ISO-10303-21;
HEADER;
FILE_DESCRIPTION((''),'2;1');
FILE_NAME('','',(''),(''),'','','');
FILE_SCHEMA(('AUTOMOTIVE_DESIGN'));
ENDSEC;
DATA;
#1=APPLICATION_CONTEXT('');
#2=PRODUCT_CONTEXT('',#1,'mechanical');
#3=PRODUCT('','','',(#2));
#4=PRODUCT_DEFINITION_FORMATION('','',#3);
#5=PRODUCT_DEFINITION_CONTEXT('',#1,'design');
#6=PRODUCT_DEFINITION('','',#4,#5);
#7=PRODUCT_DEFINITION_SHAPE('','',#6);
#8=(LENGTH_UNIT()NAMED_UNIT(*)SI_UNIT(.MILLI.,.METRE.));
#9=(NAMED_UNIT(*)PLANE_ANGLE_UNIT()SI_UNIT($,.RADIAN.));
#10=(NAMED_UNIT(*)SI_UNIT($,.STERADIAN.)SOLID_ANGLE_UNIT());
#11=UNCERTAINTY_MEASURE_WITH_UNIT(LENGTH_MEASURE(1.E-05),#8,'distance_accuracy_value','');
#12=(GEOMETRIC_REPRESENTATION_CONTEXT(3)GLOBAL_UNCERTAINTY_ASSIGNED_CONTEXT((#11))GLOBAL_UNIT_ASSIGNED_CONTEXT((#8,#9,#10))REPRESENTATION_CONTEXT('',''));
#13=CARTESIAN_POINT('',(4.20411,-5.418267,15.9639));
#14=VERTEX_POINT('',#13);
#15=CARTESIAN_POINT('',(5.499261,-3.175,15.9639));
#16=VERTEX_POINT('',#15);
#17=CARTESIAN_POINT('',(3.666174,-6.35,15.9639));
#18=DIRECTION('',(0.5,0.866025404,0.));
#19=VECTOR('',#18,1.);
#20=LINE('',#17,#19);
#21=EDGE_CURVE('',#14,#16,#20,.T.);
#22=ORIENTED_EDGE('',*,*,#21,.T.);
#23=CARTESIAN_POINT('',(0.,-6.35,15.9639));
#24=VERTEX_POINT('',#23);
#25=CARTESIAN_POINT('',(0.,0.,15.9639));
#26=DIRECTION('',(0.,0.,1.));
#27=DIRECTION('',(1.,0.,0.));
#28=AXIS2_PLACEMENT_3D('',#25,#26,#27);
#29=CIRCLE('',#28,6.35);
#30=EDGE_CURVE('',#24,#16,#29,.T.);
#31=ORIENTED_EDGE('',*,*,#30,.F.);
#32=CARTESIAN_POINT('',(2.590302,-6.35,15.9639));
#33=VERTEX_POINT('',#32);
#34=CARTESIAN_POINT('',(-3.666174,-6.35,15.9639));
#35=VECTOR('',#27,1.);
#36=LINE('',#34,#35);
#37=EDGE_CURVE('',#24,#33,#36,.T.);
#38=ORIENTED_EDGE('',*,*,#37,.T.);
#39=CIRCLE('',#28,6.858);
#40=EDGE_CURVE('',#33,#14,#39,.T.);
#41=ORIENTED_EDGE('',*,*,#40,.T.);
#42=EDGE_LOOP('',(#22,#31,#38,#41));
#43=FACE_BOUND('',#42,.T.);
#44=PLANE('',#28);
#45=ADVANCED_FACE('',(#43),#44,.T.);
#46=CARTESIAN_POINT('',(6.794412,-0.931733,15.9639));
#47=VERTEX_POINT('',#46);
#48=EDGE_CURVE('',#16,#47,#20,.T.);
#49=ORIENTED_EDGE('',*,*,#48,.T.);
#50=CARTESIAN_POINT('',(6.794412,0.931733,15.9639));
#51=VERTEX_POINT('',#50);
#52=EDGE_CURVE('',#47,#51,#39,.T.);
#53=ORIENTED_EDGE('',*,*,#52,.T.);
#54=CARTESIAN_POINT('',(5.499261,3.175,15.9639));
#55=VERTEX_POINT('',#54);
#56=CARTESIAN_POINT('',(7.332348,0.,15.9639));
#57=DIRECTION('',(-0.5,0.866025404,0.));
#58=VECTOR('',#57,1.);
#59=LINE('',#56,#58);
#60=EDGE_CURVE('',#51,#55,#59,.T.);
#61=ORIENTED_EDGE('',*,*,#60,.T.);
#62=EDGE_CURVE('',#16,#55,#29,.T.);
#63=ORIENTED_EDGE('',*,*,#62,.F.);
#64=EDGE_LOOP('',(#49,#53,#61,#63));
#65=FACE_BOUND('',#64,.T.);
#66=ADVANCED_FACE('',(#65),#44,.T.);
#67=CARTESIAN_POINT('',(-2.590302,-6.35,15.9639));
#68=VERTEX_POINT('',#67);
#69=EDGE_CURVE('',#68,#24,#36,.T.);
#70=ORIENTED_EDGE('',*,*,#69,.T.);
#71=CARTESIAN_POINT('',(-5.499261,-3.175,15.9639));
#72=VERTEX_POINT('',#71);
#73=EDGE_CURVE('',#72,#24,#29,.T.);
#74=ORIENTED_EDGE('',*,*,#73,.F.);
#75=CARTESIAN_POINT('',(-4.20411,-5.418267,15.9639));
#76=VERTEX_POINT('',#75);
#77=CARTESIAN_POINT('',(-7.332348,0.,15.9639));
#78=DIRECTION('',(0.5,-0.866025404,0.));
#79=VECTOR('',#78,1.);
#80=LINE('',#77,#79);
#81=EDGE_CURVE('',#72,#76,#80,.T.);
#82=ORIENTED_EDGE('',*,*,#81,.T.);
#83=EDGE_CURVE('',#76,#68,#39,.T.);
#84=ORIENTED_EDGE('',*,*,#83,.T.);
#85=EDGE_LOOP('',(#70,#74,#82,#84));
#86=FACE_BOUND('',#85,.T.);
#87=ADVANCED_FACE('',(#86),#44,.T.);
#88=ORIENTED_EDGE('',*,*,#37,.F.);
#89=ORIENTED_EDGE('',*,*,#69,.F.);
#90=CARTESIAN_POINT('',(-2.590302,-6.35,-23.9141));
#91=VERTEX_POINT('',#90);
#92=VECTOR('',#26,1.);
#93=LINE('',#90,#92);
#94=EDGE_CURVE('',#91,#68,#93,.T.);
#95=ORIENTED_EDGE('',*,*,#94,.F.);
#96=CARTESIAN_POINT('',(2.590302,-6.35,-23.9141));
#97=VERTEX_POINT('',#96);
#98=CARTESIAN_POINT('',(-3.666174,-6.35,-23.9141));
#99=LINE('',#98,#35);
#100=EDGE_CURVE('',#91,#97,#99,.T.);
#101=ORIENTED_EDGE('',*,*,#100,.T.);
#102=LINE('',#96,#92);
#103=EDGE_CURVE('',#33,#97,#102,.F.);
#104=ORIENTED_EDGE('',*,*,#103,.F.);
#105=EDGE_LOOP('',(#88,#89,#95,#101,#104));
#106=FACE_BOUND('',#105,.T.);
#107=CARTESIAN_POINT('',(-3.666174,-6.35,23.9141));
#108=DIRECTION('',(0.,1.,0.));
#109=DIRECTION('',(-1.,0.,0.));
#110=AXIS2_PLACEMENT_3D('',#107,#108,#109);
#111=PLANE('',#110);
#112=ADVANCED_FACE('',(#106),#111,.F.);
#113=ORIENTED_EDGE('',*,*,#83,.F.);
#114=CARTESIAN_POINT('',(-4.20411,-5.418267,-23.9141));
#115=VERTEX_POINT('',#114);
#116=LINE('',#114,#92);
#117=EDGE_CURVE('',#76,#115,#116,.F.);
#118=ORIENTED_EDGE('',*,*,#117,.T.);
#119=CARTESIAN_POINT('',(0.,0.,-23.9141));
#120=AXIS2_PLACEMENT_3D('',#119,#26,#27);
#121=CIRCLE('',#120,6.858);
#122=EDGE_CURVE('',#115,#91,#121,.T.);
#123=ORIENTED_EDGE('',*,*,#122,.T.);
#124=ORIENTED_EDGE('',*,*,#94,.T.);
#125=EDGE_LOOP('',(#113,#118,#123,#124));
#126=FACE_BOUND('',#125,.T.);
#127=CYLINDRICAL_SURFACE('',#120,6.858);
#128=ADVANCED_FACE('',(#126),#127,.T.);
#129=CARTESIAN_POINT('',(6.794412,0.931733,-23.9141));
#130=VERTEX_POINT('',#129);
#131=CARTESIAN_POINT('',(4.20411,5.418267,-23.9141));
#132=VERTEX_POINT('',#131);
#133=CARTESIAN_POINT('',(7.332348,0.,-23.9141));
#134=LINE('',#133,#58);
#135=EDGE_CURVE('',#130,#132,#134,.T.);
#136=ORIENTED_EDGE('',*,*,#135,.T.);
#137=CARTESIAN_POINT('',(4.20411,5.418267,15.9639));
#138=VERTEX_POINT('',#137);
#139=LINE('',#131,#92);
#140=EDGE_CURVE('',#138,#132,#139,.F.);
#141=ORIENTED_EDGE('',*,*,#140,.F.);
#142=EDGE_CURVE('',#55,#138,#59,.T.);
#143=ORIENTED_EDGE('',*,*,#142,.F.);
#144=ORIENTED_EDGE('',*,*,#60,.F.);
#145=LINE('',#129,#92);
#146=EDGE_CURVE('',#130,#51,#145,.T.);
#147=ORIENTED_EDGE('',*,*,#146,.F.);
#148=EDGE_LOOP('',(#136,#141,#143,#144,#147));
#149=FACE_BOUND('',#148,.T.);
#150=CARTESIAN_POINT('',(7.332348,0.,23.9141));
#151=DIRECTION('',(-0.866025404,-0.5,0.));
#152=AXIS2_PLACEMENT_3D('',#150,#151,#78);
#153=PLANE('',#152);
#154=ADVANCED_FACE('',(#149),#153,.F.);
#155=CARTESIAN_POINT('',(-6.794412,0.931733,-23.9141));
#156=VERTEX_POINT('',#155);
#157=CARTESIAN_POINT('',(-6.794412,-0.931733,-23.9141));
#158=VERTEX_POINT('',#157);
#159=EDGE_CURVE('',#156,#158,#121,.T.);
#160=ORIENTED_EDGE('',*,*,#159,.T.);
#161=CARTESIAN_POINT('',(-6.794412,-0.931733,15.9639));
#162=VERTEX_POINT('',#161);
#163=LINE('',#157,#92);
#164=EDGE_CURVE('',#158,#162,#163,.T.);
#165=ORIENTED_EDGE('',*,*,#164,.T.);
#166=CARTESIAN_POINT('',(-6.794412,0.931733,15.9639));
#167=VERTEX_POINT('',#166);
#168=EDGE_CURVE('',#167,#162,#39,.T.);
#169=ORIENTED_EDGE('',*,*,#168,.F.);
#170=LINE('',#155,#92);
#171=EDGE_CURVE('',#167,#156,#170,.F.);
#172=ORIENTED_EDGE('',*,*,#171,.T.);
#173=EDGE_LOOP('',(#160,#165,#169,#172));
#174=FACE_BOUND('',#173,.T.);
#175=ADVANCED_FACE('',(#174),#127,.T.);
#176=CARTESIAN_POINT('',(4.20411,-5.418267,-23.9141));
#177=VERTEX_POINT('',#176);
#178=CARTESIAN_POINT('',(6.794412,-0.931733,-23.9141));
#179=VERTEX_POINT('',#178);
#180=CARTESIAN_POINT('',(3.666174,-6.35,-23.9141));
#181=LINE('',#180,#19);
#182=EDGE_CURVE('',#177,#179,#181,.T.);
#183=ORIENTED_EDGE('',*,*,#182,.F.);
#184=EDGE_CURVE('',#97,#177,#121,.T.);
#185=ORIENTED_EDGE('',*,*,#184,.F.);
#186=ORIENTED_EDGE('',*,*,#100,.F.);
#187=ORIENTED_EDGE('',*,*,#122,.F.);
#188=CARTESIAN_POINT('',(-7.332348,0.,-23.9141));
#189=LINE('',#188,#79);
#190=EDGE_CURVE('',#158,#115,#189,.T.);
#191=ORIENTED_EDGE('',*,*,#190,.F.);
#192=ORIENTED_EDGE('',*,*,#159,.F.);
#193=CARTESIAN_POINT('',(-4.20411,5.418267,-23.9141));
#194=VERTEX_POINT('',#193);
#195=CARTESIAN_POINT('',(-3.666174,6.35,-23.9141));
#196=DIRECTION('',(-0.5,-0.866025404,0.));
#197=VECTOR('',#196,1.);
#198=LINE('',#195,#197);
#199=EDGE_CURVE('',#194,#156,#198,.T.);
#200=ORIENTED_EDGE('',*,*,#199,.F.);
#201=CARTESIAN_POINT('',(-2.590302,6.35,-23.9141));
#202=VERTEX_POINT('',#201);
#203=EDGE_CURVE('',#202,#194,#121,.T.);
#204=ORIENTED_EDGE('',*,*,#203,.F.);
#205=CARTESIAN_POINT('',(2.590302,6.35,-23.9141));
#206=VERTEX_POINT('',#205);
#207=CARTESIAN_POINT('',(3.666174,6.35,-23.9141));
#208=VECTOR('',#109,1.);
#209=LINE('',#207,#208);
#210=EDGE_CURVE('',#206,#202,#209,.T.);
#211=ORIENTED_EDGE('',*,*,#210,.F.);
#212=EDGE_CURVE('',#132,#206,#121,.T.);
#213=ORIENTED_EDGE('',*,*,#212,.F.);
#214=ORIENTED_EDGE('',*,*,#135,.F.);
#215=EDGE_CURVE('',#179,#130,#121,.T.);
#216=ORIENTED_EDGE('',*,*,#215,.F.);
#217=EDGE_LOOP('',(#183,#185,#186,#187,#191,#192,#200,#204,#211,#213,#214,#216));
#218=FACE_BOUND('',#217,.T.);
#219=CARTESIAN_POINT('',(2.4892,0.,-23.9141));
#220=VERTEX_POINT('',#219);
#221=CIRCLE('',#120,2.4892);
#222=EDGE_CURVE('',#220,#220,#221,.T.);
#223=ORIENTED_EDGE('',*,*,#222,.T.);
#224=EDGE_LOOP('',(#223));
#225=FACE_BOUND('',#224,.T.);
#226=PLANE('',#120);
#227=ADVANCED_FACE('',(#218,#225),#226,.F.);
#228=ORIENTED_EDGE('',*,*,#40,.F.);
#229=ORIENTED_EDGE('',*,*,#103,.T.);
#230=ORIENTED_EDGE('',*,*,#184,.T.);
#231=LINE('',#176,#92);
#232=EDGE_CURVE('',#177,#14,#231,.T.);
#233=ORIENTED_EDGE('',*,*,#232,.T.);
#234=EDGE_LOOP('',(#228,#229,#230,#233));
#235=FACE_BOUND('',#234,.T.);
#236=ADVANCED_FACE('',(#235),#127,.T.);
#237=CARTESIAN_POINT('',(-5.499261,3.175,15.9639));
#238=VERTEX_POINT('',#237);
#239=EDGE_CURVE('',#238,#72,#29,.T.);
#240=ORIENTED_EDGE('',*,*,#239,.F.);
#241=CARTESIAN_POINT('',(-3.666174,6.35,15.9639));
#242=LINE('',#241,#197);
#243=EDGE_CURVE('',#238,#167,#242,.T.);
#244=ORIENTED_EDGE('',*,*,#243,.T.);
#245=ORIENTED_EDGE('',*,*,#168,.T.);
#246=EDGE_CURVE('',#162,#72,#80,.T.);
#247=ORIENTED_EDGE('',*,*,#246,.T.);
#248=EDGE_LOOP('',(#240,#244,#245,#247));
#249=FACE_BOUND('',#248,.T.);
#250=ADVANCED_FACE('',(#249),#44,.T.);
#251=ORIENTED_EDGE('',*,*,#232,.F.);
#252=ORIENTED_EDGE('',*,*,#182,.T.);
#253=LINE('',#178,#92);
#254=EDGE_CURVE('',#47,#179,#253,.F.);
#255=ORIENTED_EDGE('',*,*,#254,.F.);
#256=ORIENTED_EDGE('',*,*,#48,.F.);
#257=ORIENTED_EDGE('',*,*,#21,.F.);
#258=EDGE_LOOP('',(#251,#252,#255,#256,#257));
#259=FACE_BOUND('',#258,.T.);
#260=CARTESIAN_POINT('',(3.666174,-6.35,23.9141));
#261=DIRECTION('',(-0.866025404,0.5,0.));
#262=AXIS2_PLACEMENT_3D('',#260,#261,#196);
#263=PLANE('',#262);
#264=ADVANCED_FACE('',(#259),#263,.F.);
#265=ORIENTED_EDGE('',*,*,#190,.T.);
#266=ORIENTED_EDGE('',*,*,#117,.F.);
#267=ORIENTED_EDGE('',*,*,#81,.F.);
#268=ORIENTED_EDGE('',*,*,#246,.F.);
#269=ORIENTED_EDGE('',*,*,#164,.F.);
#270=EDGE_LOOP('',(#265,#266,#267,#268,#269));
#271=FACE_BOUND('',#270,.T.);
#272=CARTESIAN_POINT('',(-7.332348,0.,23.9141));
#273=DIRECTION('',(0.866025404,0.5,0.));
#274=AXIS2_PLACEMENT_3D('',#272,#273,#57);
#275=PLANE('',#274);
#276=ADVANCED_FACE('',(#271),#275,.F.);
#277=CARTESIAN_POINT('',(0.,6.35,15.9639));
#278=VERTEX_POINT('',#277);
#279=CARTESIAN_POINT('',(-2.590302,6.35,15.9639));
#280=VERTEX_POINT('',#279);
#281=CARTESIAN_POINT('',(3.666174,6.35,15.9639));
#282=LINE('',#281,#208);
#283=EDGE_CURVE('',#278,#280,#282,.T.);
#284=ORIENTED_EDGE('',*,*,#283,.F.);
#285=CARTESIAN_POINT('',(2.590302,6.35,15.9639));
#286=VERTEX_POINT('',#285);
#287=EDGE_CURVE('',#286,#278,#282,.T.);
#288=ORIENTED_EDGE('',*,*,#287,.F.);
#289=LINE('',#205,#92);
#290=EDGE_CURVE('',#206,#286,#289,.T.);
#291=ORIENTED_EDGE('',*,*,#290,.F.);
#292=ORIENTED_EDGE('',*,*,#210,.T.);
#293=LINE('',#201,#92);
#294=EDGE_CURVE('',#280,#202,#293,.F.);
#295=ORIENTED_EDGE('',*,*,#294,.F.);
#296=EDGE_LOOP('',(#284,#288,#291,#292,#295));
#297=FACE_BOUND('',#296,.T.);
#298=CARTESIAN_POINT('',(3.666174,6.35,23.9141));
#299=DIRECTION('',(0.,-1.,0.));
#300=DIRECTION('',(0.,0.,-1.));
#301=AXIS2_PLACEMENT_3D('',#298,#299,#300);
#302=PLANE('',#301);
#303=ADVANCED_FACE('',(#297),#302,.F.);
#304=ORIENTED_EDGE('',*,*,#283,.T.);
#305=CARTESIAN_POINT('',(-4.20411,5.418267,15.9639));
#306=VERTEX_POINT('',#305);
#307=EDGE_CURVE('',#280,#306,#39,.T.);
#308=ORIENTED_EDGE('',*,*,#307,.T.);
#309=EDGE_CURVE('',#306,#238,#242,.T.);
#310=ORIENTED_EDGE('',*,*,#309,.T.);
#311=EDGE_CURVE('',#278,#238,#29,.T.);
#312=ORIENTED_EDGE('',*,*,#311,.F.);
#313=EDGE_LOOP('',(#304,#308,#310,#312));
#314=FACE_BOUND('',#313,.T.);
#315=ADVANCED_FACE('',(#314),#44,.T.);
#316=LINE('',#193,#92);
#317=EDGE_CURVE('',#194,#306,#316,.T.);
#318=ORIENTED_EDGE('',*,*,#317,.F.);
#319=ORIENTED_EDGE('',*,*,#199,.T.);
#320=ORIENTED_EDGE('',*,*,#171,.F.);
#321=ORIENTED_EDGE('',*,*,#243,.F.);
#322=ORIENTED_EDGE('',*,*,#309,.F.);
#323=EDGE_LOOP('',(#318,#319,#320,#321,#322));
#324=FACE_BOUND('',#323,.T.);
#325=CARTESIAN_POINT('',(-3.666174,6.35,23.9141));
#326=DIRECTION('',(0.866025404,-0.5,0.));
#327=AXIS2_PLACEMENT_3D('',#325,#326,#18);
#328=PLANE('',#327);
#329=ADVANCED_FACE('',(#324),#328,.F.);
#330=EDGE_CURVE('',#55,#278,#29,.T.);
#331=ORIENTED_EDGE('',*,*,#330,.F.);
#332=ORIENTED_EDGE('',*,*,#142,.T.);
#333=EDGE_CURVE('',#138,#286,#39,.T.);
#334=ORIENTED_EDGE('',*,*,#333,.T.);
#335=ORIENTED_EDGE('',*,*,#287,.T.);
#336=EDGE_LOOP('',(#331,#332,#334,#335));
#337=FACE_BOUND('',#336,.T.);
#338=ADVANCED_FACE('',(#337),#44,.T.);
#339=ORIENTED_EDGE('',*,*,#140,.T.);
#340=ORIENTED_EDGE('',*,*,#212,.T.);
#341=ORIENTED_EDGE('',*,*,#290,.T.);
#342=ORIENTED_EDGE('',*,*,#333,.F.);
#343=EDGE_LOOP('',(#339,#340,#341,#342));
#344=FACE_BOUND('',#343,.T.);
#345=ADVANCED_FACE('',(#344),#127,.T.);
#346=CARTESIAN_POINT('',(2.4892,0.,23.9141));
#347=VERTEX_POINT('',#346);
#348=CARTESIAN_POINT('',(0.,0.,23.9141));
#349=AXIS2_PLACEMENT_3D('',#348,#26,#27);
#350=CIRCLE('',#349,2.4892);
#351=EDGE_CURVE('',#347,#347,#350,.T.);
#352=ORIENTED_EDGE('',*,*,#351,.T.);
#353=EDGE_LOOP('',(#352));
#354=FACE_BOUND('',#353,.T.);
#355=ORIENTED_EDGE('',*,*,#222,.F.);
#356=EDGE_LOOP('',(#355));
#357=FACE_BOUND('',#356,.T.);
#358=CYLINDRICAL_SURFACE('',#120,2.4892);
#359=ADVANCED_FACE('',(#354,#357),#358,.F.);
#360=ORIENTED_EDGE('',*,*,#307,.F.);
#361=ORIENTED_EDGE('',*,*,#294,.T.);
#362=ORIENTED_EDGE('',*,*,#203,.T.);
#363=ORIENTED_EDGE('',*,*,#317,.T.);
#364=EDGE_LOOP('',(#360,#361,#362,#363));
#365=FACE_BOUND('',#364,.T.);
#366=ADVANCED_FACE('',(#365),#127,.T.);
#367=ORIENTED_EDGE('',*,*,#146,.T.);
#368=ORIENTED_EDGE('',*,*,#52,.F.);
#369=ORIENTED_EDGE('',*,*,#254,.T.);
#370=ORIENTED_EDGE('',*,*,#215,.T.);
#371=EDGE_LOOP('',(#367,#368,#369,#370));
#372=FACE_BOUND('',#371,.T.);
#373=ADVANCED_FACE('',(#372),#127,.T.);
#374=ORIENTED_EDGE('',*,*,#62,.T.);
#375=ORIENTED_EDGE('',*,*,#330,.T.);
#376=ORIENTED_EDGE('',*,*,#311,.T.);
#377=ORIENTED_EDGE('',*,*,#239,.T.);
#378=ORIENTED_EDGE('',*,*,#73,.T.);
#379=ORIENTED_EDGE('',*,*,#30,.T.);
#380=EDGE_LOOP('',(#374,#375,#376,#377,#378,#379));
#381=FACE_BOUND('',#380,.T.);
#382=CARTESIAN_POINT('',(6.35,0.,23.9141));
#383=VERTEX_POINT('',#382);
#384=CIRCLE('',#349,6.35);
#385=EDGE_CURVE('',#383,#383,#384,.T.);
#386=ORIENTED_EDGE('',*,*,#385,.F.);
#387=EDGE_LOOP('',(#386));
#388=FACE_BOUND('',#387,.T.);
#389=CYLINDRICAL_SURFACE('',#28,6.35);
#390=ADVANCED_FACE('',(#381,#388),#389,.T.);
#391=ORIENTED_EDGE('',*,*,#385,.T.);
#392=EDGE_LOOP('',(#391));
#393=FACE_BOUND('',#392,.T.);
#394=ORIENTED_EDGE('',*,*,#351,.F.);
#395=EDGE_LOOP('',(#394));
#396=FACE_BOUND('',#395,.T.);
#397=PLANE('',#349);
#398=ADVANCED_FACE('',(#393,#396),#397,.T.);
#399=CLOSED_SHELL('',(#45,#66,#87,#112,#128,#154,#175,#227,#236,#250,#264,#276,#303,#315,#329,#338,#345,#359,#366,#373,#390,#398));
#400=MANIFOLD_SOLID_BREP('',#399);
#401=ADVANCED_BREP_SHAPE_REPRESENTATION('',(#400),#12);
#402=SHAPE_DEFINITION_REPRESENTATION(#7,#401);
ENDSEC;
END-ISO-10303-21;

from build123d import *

# Parameters (mm, degrees)
BOSS_EXTRUDE1_DEPTH = 23.9141
SKETCH3_OUTSIDE_W   = 26.986
SKETCH3_OUTSIDE_H   = 25.022
SKETCH3_OUTSIDE_R   = 6.35
CUT_EXTRUDE2_DEPTH  = 7.9502
SKETCH4_OUTSIDE_W   = 26.986
SKETCH4_OUTSIDE_H   = 25.022
SKETCH4_OUTSIDE_R   = 6.858
CUT_EXTRUDE3_DEPTH  = 49.801870339
SKETCH5_R           = 2.4892
CUT_EXTRUDE4_DEPTH  = 49.732857286


with BuildPart() as part:
    # Sketch1 → Boss-Extrude1 (new, symmetric)
    with BuildSketch(Plane.XY):
        Polygon((7.332348419, 0), (3.666174209, 6.35), (-3.666174209, 6.35), (-7.332348419, 0), (-3.666174209, -6.35), (3.666174209, -6.35), align=None)
    extrude(amount=BOSS_EXTRUDE1_DEPTH, both=True)

    # Sketch3 outside → Cut-Extrude2 (cut)
    with BuildSketch(Plane.XY.offset(23.9141)):
        Rectangle(SKETCH3_OUTSIDE_W, SKETCH3_OUTSIDE_H)
        Circle(SKETCH3_OUTSIDE_R, mode=Mode.SUBTRACT)
    extrude(amount=-CUT_EXTRUDE2_DEPTH, mode=Mode.SUBTRACT)

    # Sketch4 outside → Cut-Extrude3 (cut, through all)
    with BuildSketch(Plane.XY.offset(23.9141)):
        Rectangle(SKETCH4_OUTSIDE_W, SKETCH4_OUTSIDE_H)
        Circle(SKETCH4_OUTSIDE_R, mode=Mode.SUBTRACT)
    extrude(amount=-CUT_EXTRUDE3_DEPTH, mode=Mode.SUBTRACT)

    # Sketch5 → Cut-Extrude4 (cut, through all)
    with BuildSketch(Plane.XY.offset(23.9141)):
        Circle(SKETCH5_R)
    extrude(amount=-CUT_EXTRUDE4_DEPTH, mode=Mode.SUBTRACT)


solid = part.part
